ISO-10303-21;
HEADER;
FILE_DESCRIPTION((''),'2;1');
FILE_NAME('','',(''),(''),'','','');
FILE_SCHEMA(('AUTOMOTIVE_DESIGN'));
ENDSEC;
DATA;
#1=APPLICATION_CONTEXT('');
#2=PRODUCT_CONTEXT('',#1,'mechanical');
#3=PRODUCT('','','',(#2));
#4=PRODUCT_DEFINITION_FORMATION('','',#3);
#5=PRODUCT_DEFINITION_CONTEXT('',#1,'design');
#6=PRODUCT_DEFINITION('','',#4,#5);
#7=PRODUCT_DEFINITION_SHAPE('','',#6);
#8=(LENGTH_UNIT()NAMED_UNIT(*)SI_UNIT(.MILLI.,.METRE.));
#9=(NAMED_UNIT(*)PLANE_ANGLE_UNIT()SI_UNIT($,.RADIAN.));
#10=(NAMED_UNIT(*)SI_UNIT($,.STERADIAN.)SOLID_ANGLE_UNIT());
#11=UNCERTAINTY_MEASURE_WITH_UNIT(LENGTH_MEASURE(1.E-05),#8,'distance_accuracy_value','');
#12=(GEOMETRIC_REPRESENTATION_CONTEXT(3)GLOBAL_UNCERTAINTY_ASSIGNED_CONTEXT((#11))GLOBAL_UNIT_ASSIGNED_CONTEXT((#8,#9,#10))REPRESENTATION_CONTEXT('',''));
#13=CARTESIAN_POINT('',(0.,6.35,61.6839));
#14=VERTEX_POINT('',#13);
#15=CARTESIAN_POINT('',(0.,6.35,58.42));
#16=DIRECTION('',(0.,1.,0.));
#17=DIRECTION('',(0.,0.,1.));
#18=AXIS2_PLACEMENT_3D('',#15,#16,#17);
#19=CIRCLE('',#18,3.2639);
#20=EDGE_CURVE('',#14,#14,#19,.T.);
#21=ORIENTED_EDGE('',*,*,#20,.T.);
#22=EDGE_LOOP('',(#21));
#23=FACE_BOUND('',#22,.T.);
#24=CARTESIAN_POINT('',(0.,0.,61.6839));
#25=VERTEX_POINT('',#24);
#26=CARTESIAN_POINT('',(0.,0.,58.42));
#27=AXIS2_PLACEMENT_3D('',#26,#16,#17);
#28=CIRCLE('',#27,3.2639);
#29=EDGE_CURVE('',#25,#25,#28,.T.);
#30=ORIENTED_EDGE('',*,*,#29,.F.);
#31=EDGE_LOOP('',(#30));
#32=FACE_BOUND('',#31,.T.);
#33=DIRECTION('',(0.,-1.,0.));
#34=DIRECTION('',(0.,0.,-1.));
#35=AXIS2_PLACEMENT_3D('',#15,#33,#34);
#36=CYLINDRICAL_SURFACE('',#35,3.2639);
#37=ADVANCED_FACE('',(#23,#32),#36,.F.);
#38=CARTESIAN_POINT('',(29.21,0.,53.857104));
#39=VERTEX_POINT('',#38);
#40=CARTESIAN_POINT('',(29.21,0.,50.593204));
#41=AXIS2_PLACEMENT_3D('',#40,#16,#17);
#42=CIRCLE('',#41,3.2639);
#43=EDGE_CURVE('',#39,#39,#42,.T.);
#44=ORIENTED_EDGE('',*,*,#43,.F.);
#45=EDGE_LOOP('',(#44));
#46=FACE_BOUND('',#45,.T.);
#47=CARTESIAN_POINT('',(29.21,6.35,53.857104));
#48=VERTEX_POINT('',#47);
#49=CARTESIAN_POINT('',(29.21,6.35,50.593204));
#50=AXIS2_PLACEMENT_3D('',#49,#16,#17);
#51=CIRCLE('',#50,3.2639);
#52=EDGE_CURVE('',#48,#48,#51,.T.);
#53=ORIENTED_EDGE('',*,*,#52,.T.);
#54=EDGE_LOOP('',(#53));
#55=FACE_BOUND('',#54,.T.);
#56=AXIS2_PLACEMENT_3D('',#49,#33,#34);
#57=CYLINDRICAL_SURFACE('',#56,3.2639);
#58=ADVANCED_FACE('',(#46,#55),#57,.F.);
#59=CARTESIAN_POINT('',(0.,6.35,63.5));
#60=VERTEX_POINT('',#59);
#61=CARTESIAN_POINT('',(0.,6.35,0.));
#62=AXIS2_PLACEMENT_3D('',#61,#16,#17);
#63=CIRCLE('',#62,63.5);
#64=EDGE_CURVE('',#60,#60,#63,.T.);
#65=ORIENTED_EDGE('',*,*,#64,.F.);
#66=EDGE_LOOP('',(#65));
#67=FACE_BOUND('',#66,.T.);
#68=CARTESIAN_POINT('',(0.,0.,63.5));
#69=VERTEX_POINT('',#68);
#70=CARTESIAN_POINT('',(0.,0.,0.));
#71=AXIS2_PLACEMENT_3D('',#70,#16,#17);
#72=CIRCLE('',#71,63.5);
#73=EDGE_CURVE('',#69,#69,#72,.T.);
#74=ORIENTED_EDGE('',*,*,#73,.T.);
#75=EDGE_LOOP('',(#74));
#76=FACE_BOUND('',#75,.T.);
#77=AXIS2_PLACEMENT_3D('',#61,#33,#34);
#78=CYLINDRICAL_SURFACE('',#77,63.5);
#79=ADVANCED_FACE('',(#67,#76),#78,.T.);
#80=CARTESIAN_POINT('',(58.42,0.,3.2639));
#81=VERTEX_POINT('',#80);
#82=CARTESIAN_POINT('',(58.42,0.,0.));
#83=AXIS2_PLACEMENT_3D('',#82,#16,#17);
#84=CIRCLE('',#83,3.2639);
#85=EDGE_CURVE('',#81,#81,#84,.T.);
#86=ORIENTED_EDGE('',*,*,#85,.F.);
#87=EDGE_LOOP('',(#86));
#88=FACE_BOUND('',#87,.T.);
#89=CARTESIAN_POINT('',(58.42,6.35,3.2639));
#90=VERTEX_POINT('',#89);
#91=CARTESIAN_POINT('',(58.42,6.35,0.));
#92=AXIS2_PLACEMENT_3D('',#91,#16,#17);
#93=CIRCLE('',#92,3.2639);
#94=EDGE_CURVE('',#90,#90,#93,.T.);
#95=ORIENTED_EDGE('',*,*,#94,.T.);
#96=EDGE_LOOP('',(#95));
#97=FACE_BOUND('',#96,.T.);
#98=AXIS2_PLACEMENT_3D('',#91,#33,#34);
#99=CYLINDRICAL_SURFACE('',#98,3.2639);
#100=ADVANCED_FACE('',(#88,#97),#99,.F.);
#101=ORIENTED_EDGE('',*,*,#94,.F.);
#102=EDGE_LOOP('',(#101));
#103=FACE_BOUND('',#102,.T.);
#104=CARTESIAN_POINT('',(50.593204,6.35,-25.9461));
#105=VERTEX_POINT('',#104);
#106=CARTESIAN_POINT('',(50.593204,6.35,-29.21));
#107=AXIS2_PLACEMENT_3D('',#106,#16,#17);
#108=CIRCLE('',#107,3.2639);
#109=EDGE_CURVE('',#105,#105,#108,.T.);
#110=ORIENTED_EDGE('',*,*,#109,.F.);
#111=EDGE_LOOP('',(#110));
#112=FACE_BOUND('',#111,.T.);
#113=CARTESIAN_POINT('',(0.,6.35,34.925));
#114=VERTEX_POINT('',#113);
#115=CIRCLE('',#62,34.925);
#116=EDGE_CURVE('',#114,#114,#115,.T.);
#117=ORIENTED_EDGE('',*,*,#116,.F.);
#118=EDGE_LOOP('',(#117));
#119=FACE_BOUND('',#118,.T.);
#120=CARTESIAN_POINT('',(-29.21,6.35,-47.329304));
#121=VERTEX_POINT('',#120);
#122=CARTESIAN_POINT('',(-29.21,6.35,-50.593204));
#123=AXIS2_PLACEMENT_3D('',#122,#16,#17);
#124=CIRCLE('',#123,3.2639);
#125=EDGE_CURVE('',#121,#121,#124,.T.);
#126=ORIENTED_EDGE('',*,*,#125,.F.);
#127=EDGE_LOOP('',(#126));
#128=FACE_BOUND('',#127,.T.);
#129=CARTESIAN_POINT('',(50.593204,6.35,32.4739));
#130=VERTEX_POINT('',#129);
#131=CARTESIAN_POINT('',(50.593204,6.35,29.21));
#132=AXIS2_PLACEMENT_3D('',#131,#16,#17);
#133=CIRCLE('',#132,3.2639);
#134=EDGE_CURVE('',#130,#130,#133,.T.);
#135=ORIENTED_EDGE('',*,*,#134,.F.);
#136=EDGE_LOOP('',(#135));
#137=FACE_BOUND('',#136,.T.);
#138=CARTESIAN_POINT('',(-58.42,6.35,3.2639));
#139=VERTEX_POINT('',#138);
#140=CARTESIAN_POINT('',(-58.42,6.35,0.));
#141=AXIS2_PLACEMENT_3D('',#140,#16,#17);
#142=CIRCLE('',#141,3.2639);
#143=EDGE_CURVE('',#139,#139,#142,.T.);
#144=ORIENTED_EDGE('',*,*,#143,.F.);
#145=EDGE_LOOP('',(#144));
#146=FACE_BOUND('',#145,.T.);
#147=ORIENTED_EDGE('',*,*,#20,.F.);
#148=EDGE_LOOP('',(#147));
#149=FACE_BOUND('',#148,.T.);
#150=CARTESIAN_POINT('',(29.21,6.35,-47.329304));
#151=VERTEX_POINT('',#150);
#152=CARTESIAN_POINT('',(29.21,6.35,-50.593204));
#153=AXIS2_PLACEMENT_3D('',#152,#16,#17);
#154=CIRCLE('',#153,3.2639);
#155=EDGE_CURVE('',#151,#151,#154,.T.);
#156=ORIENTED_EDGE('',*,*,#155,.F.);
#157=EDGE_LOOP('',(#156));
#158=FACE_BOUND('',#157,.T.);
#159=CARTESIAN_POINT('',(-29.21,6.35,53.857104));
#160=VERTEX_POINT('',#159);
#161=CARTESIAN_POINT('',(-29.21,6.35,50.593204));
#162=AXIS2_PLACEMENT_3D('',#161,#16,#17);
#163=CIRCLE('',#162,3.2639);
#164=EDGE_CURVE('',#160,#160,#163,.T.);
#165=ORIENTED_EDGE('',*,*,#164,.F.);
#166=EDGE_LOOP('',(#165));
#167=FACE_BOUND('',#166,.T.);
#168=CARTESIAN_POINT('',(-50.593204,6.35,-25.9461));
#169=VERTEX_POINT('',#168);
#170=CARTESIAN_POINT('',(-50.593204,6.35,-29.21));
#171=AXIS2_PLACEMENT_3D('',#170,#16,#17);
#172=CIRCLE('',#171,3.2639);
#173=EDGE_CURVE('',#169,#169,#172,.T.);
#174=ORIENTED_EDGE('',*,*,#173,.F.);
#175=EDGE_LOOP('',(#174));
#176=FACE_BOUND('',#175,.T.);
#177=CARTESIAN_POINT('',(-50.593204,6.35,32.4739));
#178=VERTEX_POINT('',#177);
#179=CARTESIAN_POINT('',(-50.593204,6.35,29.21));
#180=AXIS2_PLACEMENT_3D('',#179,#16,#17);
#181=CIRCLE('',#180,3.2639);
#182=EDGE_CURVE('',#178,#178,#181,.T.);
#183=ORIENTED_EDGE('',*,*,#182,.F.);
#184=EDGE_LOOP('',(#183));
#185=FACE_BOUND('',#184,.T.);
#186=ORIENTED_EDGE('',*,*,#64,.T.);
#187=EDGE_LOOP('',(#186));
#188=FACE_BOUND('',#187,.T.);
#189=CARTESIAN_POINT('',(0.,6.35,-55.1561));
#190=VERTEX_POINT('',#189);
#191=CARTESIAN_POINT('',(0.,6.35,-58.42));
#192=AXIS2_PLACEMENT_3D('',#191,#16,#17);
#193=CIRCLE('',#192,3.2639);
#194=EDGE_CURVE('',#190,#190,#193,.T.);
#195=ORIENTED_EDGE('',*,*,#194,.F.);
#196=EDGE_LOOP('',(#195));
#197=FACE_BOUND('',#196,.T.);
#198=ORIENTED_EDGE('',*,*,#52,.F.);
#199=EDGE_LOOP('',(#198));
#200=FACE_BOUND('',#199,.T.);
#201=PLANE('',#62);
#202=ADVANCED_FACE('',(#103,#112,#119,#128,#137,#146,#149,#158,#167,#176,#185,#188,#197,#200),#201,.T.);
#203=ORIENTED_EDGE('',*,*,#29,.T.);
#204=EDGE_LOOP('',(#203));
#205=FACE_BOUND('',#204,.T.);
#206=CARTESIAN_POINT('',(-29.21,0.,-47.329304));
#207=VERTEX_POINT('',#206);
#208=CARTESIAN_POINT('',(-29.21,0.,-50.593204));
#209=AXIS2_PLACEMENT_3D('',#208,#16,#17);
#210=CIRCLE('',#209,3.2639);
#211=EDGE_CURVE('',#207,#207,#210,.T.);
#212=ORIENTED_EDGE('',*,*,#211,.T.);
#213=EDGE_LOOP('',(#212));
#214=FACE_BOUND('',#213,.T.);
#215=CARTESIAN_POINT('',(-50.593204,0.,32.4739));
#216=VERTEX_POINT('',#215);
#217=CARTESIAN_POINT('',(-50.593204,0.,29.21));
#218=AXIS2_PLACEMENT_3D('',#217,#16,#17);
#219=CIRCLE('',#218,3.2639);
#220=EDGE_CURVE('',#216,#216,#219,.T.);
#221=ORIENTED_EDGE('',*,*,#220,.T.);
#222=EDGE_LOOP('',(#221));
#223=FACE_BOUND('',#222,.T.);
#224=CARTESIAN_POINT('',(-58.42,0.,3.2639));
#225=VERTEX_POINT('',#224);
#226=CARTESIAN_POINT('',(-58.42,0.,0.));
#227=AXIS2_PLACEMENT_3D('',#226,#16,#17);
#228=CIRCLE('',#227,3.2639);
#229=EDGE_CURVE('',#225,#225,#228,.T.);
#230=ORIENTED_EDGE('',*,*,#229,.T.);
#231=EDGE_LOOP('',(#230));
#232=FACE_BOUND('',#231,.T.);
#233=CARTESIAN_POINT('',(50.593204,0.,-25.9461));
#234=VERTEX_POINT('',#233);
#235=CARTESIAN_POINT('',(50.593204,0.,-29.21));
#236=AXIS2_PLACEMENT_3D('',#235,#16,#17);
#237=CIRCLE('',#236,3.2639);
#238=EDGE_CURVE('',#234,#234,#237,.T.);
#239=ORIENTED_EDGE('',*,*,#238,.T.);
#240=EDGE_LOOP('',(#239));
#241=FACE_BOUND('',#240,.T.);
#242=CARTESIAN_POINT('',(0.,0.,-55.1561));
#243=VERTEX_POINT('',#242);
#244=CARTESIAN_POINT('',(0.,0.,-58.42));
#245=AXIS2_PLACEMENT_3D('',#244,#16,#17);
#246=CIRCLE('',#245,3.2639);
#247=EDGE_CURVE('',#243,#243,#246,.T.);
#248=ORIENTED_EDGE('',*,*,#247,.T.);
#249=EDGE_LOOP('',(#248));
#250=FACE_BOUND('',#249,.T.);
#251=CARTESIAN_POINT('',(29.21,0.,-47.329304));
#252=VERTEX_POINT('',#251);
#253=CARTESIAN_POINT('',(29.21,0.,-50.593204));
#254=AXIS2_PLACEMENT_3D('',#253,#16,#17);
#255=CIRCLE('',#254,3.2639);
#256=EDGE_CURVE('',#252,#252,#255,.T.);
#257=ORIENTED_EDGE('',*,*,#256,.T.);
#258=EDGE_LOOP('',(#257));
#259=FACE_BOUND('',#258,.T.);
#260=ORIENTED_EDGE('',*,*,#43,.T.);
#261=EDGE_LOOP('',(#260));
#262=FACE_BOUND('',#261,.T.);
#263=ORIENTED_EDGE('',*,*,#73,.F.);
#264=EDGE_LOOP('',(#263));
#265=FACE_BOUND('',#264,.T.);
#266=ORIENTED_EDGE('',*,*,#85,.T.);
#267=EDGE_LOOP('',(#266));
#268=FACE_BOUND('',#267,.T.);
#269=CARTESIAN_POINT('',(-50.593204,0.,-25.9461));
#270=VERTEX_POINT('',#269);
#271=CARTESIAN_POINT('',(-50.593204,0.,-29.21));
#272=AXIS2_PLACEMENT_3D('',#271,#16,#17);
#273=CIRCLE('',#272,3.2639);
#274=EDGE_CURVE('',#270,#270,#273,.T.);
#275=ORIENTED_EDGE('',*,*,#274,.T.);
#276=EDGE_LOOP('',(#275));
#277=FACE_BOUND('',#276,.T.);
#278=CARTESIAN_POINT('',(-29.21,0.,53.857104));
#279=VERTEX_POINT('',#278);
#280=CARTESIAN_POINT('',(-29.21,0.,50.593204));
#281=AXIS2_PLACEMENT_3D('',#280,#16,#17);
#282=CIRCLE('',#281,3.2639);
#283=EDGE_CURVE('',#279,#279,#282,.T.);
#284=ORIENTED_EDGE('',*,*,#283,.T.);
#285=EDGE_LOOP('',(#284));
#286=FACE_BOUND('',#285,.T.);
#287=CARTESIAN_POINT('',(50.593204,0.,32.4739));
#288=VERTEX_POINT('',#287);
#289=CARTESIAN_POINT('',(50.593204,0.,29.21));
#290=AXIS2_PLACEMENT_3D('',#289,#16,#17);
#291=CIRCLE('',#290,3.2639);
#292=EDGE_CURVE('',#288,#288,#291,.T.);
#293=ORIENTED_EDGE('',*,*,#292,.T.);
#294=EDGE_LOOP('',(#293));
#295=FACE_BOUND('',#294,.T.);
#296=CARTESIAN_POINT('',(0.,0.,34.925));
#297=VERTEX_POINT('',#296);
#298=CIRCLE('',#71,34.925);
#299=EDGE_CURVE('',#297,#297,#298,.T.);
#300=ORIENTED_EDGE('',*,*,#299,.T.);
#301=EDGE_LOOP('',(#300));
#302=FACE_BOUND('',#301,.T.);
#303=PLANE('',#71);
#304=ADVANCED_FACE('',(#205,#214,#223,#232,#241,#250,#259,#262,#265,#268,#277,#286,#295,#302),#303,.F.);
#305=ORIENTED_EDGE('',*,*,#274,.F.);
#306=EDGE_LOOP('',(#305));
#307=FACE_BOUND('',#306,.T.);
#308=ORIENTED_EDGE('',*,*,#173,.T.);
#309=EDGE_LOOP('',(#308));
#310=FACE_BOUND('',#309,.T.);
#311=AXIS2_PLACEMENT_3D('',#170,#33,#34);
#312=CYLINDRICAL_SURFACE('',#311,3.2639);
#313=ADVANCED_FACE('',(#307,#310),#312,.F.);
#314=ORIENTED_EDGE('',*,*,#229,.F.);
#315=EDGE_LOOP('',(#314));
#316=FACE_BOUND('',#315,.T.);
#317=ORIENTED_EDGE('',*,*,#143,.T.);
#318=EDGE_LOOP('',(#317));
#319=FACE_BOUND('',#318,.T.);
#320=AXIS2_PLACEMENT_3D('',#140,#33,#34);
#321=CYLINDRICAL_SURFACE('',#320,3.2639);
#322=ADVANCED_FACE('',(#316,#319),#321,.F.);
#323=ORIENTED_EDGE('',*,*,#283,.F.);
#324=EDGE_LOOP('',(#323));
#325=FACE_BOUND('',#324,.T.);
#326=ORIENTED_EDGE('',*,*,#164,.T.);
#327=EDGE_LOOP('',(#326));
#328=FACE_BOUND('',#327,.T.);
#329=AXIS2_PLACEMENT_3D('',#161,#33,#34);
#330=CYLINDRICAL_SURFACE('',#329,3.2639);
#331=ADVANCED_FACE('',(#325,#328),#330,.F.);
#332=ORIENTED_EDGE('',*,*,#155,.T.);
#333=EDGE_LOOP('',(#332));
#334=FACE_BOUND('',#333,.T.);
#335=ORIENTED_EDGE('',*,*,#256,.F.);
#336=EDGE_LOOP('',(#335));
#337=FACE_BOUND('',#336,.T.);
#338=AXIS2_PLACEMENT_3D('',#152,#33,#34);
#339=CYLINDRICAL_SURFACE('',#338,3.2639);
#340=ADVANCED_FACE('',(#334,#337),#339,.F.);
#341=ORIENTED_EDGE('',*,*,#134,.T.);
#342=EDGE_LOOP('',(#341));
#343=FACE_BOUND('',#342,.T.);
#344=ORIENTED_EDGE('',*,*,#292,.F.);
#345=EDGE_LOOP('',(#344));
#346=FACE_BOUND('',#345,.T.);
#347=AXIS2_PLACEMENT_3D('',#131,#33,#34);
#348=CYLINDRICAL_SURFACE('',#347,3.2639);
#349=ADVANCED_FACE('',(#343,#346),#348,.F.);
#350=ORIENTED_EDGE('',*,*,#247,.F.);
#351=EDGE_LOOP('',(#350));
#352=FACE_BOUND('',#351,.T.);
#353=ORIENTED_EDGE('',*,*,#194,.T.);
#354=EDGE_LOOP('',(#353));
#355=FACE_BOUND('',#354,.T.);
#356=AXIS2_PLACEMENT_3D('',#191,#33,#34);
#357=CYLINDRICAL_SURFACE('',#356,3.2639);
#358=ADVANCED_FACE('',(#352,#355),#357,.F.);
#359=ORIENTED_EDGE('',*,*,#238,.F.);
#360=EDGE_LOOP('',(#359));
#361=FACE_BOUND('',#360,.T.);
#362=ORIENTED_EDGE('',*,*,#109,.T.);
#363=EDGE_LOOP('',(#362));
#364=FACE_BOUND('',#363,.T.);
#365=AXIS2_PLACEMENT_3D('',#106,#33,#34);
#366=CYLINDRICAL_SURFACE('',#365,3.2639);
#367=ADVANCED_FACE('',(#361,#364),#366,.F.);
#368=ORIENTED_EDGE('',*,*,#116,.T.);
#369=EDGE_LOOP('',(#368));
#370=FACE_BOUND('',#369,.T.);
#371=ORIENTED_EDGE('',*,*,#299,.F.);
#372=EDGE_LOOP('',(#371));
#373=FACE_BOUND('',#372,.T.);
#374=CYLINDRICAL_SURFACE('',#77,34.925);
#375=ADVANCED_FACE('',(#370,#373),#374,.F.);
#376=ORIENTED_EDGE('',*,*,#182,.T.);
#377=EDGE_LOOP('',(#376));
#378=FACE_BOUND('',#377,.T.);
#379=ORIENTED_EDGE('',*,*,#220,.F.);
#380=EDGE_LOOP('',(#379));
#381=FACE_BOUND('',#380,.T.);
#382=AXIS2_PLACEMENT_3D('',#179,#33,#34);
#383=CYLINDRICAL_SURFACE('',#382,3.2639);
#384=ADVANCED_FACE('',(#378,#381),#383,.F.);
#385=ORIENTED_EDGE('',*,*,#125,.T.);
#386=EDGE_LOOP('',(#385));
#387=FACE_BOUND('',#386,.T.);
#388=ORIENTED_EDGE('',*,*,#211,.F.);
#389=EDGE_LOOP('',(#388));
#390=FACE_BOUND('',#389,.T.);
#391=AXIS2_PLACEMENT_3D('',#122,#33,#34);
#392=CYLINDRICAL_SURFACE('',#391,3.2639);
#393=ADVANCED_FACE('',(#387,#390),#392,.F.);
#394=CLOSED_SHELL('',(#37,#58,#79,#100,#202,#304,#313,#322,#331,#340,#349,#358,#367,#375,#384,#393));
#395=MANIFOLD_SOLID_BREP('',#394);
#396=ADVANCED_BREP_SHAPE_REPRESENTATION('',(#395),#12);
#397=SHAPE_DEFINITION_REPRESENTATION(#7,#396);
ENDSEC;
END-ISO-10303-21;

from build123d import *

# Parameters (mm, degrees)
SKETCH1_R           = 63.5
SKETCH1_R_2         = 34.925
SKETCH1_R_3         = 3.2639
BOSS_EXTRUDE1_DEPTH = 6.35


with BuildPart() as part:
    # Sketch1 → Boss-Extrude1 (new body)
    with BuildSketch(Plane(origin=(0, 0, 0), x_dir=(1, 0, 0), z_dir=(0, 1, 0))):
        Circle(SKETCH1_R)
        Circle(SKETCH1_R_2, mode=Mode.SUBTRACT)
        with Locations((0, 58.42)):
            Circle(SKETCH1_R_3, mode=Mode.SUBTRACT)
        with Locations((29.21, 50.593204089)):
            Circle(SKETCH1_R_3, mode=Mode.SUBTRACT)
        with Locations((50.593204089, 29.21)):
            Circle(SKETCH1_R_3, mode=Mode.SUBTRACT)
        with Locations((58.42, 0)):
            Circle(SKETCH1_R_3, mode=Mode.SUBTRACT)
        with Locations((50.593204089, -29.21)):
            Circle(SKETCH1_R_3, mode=Mode.SUBTRACT)
        with Locations((29.21, -50.593204089)):
            Circle(SKETCH1_R_3, mode=Mode.SUBTRACT)
        with Locations((0, -58.42)):
            Circle(SKETCH1_R_3, mode=Mode.SUBTRACT)
        with Locations((-29.21, -50.593204089)):
            Circle(SKETCH1_R_3, mode=Mode.SUBTRACT)
        with Locations((-50.593204089, -29.21)):
            Circle(SKETCH1_R_3, mode=Mode.SUBTRACT)
        with Locations((-58.42, 0)):
            Circle(SKETCH1_R_3, mode=Mode.SUBTRACT)
        with Locations((-50.593204089, 29.21)):
            Circle(SKETCH1_R_3, mode=Mode.SUBTRACT)
        with Locations((-29.21, 50.593204089)):
            Circle(SKETCH1_R_3, mode=Mode.SUBTRACT)
    extrude(amount=BOSS_EXTRUDE1_DEPTH)


solid = part.part
